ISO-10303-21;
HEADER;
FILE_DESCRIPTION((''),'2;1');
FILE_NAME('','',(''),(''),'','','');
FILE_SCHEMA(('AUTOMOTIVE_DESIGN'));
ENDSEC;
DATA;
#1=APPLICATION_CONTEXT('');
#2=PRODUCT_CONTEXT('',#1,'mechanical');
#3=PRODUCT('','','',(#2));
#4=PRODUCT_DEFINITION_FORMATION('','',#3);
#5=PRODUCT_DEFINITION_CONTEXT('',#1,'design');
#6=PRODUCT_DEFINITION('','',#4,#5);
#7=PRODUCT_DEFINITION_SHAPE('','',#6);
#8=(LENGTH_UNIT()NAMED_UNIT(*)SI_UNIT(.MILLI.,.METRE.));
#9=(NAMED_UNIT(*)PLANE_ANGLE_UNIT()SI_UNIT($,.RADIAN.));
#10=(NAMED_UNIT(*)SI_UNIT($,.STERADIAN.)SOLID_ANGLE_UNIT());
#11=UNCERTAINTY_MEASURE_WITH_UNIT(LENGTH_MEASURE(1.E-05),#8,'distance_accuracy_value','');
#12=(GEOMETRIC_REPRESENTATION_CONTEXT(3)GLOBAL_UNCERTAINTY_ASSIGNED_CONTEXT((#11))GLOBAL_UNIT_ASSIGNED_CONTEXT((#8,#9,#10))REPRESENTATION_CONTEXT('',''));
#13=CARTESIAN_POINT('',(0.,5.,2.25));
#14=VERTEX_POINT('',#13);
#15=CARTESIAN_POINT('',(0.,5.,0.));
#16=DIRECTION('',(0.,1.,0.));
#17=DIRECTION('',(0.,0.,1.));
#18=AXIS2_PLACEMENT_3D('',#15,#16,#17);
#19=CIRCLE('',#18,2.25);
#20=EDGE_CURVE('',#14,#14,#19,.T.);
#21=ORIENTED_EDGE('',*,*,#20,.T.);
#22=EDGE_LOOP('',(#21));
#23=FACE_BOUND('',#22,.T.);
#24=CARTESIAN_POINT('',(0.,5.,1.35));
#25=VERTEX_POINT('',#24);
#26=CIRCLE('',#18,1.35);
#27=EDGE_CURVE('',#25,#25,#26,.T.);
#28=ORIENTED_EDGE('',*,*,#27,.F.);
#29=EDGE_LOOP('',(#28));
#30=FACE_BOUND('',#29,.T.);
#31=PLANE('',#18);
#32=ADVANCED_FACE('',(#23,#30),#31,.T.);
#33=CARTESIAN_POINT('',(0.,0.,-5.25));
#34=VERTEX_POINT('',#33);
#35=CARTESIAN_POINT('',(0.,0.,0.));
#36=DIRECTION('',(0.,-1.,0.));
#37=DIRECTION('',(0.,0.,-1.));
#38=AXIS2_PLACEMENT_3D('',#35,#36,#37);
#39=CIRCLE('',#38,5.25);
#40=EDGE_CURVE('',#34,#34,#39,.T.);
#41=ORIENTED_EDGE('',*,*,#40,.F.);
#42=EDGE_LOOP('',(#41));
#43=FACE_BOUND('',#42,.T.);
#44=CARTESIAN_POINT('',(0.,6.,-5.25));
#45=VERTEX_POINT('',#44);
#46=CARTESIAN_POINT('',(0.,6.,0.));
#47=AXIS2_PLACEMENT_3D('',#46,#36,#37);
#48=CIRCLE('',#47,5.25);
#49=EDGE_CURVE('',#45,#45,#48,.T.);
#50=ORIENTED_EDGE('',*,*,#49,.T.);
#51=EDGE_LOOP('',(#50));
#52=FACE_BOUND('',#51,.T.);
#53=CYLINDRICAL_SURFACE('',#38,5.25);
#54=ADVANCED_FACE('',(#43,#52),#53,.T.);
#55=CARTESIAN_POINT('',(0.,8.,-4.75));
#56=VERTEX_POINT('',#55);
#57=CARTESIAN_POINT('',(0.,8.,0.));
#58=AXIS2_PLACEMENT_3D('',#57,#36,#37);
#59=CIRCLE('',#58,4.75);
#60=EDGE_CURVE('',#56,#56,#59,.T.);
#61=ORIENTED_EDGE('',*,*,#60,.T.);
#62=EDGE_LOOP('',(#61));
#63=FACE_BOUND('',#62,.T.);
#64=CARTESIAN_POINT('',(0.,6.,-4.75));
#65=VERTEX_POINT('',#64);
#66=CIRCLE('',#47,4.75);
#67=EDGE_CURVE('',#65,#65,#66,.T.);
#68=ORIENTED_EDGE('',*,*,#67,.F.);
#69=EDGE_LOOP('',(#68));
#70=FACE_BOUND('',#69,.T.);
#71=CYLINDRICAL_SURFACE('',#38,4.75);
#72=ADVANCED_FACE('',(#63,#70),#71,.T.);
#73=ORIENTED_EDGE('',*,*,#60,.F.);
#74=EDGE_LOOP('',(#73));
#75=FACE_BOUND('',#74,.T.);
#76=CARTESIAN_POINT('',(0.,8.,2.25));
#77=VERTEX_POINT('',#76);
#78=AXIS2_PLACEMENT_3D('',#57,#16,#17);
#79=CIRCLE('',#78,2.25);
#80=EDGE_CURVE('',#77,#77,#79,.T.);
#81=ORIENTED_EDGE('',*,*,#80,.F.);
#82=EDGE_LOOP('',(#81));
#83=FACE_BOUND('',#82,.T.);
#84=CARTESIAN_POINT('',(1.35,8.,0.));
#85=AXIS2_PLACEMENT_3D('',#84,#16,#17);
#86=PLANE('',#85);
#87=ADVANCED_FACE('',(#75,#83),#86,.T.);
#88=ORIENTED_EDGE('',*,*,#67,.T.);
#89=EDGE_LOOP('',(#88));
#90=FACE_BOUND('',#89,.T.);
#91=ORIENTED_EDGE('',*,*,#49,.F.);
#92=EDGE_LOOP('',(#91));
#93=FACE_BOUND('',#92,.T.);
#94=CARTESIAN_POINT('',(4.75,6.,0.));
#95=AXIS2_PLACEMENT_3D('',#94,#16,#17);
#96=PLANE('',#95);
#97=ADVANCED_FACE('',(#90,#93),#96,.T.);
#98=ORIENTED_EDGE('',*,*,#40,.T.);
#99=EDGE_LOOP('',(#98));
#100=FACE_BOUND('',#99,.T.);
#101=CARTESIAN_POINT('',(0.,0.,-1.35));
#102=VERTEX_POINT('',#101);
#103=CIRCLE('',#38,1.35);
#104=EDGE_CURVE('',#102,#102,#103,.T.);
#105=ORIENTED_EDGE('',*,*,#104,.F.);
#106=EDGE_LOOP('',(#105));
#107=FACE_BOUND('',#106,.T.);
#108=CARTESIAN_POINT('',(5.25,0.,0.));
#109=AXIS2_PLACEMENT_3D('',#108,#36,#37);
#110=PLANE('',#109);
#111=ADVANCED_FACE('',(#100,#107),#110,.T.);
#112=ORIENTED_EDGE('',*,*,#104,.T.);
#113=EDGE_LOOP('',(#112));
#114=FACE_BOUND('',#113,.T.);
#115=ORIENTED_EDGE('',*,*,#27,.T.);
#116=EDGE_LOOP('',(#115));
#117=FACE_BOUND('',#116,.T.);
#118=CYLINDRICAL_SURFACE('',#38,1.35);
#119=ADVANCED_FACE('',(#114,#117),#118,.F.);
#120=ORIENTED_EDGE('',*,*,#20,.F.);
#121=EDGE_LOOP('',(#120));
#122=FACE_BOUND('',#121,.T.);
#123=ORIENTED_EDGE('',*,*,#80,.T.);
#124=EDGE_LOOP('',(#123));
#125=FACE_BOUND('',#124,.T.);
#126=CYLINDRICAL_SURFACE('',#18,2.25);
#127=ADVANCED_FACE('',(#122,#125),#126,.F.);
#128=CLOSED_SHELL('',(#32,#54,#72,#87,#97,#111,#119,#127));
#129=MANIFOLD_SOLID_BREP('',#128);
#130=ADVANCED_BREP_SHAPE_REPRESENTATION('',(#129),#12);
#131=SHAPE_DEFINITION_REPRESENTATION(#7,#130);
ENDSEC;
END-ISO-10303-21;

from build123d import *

# Parameters (mm, degrees)
ESQUISSE2_R             = 2.25
ENL_V_MAT_EXTRU_1_DEPTH = 3


with BuildPart() as part:
    # Esquisse1 → Révolution1 (revolve)
    with BuildSketch(Plane.XY, mode=Mode.PRIVATE) as r_volution1_sk:
        Polygon((1.35, 0), (1.35, 8), (4.75, 8), (4.75, 6), (5.25, 6), (5.25, 0), align=None)
    revolve(r_volution1_sk.sketch.rotate(Axis((0, 0, 0), (0, 1, 0)), 90), axis=Axis((0, 0, 0), (0, 1, 0)))

    # Esquisse2 → Enlèv. mat.-Extru.1 (cut)
    with BuildSketch(Plane(origin=(0, 8, 0), x_dir=(1, 0, 0), z_dir=(0, 1, 0))):
        with Locations(Location((0, 0, 0), (0, 0, 270))):
            Circle(ESQUISSE2_R)
    extrude(amount=-ENL_V_MAT_EXTRU_1_DEPTH, mode=Mode.SUBTRACT)


solid = part.part
